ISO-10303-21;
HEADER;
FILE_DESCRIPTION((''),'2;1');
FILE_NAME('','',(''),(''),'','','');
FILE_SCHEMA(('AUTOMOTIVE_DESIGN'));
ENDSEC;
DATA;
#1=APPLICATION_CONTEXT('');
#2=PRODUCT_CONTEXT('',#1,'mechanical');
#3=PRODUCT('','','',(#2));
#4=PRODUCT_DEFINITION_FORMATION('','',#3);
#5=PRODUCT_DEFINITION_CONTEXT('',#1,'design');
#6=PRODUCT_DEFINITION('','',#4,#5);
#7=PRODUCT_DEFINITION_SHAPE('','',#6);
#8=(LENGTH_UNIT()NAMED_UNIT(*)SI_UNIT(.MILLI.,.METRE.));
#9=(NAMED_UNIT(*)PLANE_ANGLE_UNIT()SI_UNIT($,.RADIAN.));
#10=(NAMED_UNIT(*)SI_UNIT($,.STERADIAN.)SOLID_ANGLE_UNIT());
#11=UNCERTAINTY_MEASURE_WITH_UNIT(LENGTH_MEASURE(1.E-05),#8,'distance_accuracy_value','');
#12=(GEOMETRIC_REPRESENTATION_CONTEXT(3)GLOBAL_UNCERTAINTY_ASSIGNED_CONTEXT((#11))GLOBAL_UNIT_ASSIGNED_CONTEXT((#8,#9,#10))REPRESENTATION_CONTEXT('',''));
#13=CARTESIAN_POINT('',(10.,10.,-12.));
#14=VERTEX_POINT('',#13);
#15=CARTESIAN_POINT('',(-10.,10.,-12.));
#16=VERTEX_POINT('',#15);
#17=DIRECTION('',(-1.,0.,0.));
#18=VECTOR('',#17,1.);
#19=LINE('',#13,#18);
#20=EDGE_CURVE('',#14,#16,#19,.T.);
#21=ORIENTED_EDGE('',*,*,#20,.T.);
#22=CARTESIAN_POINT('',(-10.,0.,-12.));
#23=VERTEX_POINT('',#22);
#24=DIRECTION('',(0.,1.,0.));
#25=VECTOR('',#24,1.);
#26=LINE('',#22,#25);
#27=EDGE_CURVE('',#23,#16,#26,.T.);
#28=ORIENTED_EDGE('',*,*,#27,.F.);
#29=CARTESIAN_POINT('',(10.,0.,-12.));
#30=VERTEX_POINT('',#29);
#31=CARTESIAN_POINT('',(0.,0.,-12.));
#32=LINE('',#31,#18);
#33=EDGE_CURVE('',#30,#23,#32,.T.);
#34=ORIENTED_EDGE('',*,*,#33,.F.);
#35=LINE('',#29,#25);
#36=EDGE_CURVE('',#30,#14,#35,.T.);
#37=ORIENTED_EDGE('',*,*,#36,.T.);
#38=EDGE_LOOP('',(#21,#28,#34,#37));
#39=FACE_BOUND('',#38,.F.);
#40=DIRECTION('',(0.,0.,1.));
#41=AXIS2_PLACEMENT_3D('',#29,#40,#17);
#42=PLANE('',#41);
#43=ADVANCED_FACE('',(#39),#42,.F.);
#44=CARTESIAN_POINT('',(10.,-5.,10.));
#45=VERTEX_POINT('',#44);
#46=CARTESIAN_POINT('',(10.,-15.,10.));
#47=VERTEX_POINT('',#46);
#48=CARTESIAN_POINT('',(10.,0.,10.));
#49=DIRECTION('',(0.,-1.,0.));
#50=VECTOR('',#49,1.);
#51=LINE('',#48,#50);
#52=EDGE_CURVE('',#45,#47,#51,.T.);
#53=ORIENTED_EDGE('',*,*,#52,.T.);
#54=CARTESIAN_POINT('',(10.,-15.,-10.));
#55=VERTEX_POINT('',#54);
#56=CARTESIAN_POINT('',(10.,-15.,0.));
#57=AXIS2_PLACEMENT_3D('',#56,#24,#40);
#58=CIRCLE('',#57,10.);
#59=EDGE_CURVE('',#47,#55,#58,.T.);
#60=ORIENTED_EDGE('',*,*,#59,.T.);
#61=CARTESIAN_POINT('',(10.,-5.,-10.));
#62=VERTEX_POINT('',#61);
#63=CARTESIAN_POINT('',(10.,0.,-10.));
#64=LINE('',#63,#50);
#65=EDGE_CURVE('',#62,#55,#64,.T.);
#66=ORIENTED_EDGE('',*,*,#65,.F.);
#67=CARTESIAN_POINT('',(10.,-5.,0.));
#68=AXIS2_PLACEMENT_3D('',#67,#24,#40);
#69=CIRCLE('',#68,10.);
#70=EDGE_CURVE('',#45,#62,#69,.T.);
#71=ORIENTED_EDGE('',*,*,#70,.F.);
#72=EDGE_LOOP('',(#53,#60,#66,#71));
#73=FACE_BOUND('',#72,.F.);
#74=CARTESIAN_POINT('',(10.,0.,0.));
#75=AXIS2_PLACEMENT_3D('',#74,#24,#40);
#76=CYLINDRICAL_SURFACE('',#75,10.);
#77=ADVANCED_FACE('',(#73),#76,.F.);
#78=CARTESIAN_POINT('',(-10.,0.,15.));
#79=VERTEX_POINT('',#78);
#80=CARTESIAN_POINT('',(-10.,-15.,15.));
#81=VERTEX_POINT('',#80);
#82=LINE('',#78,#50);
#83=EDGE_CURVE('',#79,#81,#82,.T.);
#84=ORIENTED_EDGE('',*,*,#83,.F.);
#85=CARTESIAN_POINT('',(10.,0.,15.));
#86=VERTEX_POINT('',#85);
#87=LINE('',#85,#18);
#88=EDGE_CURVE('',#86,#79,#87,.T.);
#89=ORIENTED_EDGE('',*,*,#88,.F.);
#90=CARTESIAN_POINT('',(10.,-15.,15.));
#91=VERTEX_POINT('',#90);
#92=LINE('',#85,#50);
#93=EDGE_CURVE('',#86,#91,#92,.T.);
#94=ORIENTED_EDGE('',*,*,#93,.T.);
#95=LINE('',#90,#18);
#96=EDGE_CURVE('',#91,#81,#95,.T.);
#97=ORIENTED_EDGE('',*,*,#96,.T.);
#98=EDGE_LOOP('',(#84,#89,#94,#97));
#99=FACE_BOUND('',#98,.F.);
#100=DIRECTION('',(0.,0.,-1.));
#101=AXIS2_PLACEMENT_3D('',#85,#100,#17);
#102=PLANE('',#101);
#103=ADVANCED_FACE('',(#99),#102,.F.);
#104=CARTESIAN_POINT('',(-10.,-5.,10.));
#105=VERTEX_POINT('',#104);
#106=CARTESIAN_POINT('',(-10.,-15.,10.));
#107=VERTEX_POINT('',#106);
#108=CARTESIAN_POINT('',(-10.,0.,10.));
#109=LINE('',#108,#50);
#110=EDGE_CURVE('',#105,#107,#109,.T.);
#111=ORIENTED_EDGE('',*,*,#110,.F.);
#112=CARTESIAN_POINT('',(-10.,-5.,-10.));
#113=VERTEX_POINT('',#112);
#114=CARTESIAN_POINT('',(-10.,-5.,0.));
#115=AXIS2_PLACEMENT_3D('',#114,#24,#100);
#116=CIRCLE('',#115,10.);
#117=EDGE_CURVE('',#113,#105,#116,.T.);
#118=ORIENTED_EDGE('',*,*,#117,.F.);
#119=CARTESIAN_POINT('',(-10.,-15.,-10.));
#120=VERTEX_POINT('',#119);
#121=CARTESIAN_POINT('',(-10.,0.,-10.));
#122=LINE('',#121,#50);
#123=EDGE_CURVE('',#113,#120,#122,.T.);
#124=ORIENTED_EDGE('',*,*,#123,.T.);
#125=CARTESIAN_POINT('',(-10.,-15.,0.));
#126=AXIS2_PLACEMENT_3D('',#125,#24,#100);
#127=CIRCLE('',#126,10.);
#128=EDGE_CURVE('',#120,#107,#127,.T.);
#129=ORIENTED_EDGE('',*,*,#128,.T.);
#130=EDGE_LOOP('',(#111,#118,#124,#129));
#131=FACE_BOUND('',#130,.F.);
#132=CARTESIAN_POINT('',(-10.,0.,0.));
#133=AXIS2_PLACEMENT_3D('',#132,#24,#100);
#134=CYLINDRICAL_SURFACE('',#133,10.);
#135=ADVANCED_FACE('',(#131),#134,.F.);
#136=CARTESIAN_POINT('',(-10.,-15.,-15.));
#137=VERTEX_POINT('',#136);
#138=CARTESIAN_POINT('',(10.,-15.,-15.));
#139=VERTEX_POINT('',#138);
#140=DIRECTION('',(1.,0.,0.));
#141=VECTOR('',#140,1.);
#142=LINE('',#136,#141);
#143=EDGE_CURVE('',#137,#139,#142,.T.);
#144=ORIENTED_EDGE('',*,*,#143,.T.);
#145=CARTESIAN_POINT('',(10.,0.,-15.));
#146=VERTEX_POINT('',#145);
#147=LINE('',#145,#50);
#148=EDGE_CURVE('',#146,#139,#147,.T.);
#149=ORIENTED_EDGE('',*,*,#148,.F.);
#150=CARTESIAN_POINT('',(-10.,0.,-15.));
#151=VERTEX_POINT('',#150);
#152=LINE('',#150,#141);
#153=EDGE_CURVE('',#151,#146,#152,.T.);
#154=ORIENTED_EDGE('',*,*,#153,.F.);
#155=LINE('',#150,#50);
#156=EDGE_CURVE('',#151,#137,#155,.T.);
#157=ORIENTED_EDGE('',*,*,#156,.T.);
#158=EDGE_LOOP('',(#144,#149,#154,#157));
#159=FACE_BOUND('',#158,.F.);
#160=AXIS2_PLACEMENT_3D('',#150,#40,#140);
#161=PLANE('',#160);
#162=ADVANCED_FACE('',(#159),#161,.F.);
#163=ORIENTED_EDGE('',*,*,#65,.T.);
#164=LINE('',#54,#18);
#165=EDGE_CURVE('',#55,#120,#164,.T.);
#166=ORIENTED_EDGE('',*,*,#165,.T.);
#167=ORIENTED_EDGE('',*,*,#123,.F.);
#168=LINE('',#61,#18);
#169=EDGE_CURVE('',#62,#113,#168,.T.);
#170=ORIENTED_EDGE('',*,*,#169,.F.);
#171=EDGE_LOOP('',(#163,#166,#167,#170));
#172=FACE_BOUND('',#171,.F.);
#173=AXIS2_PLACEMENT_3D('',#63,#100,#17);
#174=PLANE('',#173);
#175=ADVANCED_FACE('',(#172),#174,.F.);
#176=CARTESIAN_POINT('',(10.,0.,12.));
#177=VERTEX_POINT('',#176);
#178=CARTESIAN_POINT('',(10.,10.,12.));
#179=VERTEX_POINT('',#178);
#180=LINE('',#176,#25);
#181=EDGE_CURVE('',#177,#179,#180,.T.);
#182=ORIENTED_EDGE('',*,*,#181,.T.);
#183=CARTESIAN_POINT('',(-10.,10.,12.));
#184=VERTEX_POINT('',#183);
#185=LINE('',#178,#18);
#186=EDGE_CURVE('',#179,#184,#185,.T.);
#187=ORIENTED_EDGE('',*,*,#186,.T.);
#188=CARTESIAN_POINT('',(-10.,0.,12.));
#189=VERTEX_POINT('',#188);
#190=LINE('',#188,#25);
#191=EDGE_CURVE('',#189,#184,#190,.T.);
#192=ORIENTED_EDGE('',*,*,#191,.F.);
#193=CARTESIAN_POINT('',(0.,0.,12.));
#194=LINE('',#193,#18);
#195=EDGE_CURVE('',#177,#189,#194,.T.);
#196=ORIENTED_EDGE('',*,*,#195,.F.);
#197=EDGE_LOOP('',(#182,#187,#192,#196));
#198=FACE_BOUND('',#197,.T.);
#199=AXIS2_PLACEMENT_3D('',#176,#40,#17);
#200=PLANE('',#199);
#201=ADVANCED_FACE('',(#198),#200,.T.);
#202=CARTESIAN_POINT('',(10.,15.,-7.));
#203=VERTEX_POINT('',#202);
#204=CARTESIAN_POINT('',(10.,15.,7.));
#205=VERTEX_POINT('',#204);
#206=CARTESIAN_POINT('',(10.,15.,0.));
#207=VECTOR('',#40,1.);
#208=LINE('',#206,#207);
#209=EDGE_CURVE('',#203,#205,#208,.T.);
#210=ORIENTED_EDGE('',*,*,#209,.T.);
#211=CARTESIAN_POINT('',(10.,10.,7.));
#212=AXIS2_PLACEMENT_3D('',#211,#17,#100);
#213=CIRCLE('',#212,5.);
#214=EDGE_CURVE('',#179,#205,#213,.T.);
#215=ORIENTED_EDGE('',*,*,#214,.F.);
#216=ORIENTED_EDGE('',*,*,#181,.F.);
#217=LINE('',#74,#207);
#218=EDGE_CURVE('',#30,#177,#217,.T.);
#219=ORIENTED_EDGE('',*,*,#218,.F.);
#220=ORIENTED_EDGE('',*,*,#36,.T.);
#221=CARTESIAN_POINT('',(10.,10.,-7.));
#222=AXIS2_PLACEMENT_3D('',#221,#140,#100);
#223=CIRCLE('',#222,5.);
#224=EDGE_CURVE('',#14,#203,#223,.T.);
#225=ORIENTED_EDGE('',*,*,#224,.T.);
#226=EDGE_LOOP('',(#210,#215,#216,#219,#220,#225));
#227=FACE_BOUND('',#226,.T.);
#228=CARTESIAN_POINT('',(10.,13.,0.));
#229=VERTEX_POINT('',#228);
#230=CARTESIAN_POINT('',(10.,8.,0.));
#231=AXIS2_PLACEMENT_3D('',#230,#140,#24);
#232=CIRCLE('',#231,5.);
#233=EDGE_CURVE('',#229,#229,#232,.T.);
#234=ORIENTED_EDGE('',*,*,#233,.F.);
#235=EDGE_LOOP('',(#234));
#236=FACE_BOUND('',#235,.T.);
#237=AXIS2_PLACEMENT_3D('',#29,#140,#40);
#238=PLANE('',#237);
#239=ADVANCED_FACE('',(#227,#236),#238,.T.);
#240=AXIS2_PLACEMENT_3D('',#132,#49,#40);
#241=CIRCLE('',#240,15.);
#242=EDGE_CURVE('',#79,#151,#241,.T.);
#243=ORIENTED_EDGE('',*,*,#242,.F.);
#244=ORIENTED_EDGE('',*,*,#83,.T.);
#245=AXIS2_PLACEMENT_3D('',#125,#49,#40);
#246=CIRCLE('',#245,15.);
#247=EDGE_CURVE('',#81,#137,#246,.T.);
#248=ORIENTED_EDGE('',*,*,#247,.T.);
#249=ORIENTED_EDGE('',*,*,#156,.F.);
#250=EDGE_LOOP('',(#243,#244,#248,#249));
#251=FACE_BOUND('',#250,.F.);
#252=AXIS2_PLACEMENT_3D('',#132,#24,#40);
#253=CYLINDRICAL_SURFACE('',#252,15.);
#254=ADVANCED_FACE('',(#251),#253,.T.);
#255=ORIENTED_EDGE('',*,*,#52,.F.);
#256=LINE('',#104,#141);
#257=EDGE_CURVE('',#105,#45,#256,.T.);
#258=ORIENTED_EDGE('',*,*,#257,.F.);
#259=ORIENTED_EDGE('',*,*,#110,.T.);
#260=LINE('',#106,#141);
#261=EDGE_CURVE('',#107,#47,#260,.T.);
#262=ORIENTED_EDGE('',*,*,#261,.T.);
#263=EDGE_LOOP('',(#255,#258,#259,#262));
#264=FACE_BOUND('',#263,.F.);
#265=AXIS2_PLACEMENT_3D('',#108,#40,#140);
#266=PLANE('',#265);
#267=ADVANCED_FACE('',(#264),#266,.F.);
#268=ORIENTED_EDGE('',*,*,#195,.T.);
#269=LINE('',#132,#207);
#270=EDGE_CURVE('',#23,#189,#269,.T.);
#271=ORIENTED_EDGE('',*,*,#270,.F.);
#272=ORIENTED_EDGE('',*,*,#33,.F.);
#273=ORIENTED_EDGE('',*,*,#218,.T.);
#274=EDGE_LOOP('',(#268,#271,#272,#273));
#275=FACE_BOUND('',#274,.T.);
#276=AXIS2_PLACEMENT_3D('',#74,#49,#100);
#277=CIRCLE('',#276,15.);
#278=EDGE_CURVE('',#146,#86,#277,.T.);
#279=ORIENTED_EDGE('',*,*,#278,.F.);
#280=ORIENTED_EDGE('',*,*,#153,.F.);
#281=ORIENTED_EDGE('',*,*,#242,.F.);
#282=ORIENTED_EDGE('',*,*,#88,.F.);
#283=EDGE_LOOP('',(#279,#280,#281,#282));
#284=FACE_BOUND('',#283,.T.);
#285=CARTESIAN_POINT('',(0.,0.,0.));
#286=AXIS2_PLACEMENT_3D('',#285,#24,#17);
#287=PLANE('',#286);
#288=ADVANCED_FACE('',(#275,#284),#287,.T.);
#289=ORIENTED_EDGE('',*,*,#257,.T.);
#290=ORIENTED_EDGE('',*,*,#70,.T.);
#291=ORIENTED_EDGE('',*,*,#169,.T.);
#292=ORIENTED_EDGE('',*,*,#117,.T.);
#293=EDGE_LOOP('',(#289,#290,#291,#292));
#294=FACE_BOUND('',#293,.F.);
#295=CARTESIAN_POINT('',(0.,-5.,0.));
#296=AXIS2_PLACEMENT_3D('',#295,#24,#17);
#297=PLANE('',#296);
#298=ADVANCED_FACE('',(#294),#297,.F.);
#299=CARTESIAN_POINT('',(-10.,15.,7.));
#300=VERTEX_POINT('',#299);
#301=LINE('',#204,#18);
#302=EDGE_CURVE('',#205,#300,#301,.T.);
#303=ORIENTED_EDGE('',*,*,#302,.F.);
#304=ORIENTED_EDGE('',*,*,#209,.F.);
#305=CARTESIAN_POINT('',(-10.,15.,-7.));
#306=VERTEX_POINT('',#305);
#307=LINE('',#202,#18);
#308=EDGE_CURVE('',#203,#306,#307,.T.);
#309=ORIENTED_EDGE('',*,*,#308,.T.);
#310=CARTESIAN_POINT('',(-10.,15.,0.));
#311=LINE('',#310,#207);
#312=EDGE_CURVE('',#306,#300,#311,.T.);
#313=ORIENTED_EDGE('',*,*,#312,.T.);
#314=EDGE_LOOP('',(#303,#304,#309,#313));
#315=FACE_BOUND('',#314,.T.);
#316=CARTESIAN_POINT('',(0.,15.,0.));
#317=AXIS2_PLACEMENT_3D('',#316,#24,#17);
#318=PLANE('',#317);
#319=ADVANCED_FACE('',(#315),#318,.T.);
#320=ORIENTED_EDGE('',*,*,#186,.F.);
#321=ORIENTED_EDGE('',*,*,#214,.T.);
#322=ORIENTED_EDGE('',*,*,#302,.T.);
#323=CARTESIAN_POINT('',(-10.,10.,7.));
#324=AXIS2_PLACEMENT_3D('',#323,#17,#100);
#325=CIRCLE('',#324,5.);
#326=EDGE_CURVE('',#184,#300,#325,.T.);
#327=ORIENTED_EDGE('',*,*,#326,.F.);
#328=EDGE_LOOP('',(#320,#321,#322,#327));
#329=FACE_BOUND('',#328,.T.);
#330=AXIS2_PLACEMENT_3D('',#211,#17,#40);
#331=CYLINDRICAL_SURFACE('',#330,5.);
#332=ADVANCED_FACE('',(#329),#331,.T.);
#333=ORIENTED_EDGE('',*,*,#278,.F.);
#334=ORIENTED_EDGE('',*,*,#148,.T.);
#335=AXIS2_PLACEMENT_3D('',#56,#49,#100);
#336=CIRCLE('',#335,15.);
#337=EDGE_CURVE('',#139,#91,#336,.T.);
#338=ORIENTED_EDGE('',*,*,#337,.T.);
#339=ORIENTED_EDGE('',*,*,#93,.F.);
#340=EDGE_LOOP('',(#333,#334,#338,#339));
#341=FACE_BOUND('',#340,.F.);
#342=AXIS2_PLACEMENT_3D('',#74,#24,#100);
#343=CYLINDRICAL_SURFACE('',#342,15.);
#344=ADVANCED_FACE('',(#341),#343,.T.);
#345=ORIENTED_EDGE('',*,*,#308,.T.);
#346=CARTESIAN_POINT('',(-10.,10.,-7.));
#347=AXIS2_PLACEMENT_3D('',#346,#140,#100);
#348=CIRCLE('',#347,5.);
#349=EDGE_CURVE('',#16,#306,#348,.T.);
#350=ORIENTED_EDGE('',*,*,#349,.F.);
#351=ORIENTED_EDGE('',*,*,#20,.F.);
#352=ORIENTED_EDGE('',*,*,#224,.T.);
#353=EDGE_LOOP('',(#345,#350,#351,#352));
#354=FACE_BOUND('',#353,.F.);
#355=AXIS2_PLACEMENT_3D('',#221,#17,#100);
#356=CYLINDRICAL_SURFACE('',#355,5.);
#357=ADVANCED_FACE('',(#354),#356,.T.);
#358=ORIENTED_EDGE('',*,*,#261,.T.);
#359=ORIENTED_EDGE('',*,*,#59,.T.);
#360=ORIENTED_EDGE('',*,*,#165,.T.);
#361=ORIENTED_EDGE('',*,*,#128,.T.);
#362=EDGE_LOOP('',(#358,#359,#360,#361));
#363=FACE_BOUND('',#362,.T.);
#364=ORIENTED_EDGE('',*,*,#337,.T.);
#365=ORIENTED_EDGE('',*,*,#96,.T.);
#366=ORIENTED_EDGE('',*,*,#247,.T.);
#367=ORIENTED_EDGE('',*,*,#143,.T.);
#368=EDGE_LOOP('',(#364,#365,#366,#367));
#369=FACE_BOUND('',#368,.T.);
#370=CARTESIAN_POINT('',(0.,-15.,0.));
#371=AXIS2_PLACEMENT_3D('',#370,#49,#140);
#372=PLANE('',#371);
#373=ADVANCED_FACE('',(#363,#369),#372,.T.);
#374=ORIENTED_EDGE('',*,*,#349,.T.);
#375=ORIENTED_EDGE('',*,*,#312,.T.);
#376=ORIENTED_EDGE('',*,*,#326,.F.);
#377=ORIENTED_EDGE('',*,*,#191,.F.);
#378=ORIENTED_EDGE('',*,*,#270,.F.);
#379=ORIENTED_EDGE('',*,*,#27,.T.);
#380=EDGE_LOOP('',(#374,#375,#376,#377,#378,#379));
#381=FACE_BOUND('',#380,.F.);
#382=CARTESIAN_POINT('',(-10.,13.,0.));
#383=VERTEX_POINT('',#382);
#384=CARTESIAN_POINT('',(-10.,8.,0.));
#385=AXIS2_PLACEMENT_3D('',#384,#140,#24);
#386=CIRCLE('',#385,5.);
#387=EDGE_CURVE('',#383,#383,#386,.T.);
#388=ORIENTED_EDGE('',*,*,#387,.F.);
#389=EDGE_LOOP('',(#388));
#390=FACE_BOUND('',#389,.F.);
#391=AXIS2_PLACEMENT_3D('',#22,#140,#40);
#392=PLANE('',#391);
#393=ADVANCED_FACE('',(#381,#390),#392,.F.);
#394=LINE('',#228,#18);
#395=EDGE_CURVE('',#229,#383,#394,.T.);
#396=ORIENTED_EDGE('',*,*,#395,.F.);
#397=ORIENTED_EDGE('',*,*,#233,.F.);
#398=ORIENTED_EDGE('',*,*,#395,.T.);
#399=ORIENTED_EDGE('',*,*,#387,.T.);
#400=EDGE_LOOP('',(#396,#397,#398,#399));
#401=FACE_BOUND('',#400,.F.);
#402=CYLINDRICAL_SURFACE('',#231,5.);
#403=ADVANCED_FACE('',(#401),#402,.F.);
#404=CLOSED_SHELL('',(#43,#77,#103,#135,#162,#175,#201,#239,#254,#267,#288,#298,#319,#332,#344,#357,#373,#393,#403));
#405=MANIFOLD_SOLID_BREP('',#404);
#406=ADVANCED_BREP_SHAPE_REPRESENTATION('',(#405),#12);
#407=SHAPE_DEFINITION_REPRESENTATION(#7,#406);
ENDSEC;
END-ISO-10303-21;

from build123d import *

# Parameters (mm, degrees)
F1_DEPTH = 15
F3_DEPTH = 5
F4_W     = 20
F4_H     = 24
F5_DEPTH = 15
F6_R     = 5
F7_R     = 5
F8_DEPTH = 25


with BuildPart() as f1:
    # F0 (on Front) → F1 (new body)
    with BuildSketch(Plane.XZ):
        with BuildLine():
            Line((-10, -15), (10, -15))
            ThreePointArc((10, -15), (25, 0), (10, 15))
            Line((10, 15), (-10, 15))
            ThreePointArc((-10, 15), (-25, 0), (-10, -15))
        make_face()
        with BuildLine():
            ThreePointArc((-10, -10), (-20, 0), (-10, 10))
            Line((-10, 10), (10, 10))
            ThreePointArc((10, 10), (20, 0), (10, -10))
            Line((10, -10), (-10, -10))
        make_face(mode=Mode.SUBTRACT)
    extrude(amount=F1_DEPTH)

    # F2 (on face) → F3 (join)
    with BuildSketch(Plane(origin=(0, 0, 0), x_dir=(-1, 0, 0), z_dir=(0, 1, 0))):
        with BuildLine():
            ThreePointArc((10, -10), (20, 0), (10, 10))
            Line((10, 10), (-10, 10))
            ThreePointArc((-10, 10), (-20, 0), (-10, -10))
            Line((-10, -10), (10, -10))
        make_face()
    extrude(amount=-F3_DEPTH)

    # F4 (on face) → F5 (join)
    with BuildSketch(Plane(origin=(0, 0, 0), x_dir=(-1, 0, 0), z_dir=(0, 1, 0))):
        Rectangle(F4_W, F4_H)
    extrude(amount=F5_DEPTH)

    # F6
    f6_edges = [f1.edges().sort_by_distance(p)[0] for p in [
        (0, 15, -12),
        (0, 15, 12),
    ]]
    fillet(f6_edges, radius=F6_R)

    # F7 (on face) → F8 (cut)
    with BuildSketch(Plane.YZ.offset(10)):
        with Locations((8, 0)):
            Circle(F7_R)
    extrude(amount=-F8_DEPTH, mode=Mode.SUBTRACT)


solid = f1.part
